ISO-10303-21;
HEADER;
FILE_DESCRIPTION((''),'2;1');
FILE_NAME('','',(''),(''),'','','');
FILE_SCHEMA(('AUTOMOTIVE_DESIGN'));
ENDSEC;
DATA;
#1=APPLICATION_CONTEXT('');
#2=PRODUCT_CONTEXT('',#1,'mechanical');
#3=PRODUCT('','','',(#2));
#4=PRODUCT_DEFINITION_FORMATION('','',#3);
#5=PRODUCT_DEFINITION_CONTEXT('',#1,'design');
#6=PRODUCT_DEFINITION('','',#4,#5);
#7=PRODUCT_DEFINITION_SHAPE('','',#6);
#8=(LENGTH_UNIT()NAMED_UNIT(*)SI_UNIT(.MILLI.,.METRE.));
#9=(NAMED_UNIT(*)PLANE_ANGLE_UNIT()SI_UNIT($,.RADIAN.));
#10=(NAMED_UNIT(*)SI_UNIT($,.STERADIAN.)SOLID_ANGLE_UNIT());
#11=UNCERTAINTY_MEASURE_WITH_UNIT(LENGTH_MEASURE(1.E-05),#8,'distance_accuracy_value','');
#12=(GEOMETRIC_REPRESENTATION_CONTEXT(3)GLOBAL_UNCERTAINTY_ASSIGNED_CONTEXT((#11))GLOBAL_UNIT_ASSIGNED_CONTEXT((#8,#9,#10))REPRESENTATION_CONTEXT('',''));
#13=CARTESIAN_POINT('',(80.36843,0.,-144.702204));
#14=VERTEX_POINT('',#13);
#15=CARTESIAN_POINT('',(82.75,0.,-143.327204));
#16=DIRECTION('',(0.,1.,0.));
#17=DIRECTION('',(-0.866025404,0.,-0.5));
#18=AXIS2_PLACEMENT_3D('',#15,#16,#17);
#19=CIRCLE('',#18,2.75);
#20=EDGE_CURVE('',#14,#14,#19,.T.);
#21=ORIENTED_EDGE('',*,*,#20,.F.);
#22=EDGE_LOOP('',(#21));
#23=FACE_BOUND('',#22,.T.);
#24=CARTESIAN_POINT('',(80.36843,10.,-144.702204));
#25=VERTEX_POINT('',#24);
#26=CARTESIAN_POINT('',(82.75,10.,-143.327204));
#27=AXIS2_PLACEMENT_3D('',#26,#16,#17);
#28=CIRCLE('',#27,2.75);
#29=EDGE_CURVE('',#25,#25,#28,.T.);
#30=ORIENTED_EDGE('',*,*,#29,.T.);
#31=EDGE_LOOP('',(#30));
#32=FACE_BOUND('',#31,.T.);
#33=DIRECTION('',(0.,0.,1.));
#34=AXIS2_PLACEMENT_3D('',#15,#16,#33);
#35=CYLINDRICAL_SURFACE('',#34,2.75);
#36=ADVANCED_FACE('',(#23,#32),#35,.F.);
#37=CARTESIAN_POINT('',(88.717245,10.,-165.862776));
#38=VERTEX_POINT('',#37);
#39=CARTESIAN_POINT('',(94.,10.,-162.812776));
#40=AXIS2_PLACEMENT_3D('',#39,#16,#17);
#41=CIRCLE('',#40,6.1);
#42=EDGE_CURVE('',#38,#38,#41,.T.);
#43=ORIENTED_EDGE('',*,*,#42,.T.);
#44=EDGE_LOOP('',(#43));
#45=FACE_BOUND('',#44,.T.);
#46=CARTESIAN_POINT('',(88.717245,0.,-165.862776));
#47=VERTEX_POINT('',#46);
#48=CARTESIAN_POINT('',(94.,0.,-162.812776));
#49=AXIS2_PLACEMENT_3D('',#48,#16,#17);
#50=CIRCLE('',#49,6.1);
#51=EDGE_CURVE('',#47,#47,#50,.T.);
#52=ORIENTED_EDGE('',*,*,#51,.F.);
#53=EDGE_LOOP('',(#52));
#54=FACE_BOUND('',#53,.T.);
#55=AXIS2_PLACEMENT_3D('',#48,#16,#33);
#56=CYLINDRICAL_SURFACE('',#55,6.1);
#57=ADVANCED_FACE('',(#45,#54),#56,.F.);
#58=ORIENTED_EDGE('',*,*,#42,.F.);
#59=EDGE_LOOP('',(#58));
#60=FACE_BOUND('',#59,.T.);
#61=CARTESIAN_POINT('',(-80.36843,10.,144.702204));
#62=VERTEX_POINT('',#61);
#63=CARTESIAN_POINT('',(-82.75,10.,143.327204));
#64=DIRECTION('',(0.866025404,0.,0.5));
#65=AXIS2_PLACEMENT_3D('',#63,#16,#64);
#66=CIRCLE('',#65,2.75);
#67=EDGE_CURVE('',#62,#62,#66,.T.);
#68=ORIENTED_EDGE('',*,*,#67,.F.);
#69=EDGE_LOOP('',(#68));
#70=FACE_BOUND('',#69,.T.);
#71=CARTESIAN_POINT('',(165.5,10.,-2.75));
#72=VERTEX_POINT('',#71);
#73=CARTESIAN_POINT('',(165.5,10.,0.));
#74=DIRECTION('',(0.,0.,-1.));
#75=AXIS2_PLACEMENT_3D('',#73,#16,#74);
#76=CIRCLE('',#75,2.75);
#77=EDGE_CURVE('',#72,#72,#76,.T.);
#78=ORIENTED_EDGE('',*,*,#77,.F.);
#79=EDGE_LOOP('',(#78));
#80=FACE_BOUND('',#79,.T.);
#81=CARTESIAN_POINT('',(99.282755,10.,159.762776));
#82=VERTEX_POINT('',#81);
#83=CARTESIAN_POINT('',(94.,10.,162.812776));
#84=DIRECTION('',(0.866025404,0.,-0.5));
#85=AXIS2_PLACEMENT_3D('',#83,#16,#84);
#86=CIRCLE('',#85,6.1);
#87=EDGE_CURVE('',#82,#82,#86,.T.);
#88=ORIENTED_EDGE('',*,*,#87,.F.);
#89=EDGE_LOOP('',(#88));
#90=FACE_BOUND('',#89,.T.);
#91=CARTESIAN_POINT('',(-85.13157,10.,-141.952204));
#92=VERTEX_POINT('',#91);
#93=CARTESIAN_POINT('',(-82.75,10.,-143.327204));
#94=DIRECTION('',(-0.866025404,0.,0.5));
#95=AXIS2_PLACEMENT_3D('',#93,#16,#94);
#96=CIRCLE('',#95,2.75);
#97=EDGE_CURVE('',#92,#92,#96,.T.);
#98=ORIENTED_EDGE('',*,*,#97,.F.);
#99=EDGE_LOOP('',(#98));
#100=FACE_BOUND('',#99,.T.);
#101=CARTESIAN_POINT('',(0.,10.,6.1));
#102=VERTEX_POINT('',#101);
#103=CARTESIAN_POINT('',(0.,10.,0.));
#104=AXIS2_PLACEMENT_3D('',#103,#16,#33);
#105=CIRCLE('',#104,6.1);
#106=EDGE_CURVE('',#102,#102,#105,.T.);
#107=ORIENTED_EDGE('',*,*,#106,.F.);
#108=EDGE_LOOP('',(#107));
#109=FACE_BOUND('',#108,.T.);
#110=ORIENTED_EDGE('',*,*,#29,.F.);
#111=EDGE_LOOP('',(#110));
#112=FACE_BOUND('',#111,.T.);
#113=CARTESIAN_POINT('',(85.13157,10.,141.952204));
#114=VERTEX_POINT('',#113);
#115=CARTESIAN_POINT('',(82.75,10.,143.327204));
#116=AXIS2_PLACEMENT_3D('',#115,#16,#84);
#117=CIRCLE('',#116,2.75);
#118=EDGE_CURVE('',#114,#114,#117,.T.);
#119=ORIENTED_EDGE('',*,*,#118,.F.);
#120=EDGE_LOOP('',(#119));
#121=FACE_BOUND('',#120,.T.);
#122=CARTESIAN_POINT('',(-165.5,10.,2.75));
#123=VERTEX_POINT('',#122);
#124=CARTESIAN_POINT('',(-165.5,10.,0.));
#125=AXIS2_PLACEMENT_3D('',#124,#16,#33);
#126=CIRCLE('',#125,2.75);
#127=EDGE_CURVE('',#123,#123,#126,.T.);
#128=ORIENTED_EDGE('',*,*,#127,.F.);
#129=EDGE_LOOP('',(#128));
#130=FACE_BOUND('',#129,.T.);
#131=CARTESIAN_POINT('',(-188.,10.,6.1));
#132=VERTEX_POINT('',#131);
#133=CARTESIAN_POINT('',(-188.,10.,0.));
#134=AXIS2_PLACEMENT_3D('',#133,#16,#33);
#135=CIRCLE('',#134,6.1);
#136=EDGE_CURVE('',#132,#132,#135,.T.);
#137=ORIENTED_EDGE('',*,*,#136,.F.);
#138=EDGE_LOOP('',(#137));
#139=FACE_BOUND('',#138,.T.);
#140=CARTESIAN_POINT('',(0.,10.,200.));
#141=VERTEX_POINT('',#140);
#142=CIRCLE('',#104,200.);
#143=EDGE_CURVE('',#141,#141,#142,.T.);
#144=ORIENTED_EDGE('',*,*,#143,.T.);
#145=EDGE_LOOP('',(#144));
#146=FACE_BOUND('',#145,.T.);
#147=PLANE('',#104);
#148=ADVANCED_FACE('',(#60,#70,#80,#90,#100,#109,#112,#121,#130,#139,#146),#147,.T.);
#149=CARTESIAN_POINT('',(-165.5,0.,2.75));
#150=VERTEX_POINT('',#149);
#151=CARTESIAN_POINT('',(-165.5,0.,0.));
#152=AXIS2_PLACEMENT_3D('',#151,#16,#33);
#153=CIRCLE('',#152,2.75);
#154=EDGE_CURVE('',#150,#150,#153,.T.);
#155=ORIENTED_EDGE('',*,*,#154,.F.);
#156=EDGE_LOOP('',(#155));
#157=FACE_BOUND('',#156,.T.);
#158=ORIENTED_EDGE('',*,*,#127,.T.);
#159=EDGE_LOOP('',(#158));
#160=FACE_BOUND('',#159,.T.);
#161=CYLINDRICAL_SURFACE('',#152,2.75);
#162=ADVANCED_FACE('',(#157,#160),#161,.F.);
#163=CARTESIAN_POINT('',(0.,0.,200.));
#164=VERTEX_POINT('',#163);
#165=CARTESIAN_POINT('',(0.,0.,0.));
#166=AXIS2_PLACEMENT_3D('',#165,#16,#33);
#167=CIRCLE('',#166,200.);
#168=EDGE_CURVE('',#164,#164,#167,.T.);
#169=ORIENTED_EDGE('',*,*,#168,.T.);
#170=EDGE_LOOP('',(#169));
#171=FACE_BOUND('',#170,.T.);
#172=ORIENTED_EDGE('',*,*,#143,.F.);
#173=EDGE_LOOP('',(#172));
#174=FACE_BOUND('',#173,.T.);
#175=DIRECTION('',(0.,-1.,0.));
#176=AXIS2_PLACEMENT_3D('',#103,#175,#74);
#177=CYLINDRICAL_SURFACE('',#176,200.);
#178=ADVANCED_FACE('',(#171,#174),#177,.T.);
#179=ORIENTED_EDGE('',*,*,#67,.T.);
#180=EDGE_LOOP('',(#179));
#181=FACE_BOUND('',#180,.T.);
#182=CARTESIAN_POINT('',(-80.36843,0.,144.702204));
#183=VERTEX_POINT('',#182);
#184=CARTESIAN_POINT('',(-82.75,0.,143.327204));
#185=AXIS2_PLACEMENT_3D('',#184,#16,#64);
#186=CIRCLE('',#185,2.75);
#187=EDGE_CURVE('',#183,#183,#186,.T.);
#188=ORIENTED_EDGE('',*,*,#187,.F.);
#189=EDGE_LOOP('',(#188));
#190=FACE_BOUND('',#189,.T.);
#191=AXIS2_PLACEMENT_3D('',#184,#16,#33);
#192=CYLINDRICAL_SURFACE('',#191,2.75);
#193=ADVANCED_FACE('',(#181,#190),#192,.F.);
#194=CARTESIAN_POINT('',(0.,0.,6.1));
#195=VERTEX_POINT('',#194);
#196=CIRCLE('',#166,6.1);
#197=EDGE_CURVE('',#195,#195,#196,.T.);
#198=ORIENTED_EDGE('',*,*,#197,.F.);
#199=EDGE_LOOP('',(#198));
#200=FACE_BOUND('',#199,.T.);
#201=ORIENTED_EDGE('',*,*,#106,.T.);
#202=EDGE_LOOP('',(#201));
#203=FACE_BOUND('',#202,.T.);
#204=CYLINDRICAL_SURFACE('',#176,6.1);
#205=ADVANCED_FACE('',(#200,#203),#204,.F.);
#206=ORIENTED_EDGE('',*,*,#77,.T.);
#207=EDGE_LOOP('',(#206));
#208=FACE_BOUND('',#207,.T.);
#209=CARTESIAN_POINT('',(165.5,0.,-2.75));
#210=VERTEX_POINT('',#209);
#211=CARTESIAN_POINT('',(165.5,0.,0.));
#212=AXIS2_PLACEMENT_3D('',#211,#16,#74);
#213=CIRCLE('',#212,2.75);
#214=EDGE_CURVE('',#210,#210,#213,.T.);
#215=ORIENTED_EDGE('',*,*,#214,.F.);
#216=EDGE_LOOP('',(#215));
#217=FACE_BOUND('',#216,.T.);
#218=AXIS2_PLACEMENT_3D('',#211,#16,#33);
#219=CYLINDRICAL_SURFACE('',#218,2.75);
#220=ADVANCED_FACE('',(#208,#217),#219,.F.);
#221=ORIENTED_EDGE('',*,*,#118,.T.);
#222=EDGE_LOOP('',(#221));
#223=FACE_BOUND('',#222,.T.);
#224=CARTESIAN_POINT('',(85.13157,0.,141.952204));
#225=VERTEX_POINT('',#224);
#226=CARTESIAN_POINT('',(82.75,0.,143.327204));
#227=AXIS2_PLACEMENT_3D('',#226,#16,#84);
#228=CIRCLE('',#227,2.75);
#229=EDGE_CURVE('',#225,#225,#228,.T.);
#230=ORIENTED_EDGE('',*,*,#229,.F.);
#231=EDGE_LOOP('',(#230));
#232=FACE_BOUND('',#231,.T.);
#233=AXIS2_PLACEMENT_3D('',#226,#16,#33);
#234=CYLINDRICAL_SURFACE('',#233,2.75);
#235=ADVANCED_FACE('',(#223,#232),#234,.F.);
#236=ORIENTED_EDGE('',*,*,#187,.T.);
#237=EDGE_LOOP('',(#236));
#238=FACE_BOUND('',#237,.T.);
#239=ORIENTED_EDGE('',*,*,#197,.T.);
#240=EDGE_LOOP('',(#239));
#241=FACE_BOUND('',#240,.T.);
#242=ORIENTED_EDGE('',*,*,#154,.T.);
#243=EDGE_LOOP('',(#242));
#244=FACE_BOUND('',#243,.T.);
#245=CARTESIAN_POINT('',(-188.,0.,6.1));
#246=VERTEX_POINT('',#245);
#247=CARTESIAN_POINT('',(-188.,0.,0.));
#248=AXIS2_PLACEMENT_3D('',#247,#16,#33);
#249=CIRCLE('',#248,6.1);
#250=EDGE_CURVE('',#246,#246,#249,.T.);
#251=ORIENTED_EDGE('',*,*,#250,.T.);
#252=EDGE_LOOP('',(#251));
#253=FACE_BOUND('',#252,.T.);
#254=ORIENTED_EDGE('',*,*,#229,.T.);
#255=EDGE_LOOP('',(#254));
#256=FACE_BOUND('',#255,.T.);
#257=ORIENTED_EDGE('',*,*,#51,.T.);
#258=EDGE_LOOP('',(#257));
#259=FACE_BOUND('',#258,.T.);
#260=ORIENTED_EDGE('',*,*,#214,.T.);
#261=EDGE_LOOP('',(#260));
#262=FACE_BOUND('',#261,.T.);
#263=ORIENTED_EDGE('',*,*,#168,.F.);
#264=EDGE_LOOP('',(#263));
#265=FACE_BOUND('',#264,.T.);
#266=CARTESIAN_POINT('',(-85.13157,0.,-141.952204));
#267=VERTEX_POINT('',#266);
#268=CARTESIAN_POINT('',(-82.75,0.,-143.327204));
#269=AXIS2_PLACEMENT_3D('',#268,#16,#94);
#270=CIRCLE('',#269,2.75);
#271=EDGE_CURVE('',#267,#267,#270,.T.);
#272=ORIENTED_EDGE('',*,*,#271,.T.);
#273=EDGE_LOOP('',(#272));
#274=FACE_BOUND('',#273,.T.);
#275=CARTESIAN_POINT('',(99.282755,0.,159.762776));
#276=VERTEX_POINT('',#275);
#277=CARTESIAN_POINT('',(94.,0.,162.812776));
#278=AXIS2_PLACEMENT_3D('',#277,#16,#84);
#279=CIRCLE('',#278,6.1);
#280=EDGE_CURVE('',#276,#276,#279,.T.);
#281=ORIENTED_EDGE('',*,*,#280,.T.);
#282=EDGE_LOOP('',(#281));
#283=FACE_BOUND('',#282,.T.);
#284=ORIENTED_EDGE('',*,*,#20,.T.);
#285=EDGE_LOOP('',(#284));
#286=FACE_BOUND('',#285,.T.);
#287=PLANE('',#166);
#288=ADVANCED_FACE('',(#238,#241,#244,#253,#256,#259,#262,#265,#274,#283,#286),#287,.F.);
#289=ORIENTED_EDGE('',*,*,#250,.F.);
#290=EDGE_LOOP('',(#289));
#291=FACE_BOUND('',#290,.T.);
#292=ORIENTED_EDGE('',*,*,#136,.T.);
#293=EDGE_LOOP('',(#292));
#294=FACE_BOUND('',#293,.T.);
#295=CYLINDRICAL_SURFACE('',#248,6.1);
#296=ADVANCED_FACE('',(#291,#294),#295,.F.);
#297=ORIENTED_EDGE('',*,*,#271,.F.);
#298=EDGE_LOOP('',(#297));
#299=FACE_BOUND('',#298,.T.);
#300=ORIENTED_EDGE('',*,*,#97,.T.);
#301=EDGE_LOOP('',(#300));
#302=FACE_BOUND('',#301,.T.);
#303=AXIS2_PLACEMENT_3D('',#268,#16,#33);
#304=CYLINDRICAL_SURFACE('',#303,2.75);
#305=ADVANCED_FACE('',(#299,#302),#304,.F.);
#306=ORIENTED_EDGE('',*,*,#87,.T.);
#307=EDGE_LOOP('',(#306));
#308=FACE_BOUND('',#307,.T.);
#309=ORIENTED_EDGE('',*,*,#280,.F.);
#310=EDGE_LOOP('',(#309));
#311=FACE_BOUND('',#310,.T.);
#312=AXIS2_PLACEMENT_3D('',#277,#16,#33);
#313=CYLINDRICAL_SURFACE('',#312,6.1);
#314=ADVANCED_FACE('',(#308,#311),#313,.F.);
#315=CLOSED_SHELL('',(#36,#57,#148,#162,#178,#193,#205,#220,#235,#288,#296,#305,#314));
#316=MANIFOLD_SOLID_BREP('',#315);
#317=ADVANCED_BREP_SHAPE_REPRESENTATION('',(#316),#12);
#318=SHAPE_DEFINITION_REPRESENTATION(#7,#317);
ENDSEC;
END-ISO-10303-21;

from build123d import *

# Parameters (mm, degrees)
SKETCH_1_R               = 200
SKETCH_1_R_2             = 6.1
EXTRUDE_1_DEPTH          = 10
SKETCH_2_R               = 6.1
CUT_EXTRUDE_1_DEPTH      = 10
PATTERN_CIRCULAR_1_COUNT = 3
SKETCH_3_R               = 2.75
CUT_EXTRUDE_2_DEPTH      = 10
PATTERN_CIRCULAR_2_COUNT = 6


with BuildPart() as part:
    # Эскиз1 → Бобышка-Вытянуть1 (new body)
    with BuildSketch(Plane(origin=(0, 0, 0), x_dir=(1, 0, 0), z_dir=(0, 1, 0))):
        with Locations(Location((0, 0, 0), (0, 0, 270))):
            Circle(SKETCH_1_R)
        with Locations(Location((0, 0, 0), (0, 0, 270))):
            Circle(SKETCH_1_R_2, mode=Mode.SUBTRACT)
    extrude(amount=EXTRUDE_1_DEPTH)

    # Эскиз2 → Вырез-Вытянуть1 (cut)
    with BuildSketch(Plane(origin=(0, 10, 0), x_dir=(1, 0, 0), z_dir=(0, 1, 0))):
        with Locations(Location((-188, 0, 0), (0, 0, 270))):
            Circle(SKETCH_2_R)
    cut_extrude_1 = extrude(amount=-CUT_EXTRUDE_1_DEPTH, mode=Mode.SUBTRACT)

    # Круговой массив1: Вырез-Вытянуть1 ×3 about axis
    pattern_circular_1_axis = Axis((0, 0, 0), (0, 1, 0))
    for i in range(1, PATTERN_CIRCULAR_1_COUNT):
        add(cut_extrude_1.rotate(pattern_circular_1_axis, i * 360 / PATTERN_CIRCULAR_1_COUNT), mode=Mode.SUBTRACT)

    # Эскиз3 → Вырез-Вытянуть2 (cut)
    with BuildSketch(Plane(origin=(0, 10, 0), x_dir=(1, 0, 0), z_dir=(0, 1, 0))):
        with Locations(Location((-165.5, 0, 0), (0, 0, 270))):
            Circle(SKETCH_3_R)
    cut_extrude_2 = extrude(amount=-CUT_EXTRUDE_2_DEPTH, mode=Mode.SUBTRACT)

    # Круговой массив2: Вырез-Вытянуть2 ×6 about axis
    pattern_circular_2_axis = Axis((0, 0, 0), (0, 1, 0))
    for i in range(1, PATTERN_CIRCULAR_2_COUNT):
        add(cut_extrude_2.rotate(pattern_circular_2_axis, i * 360 / PATTERN_CIRCULAR_2_COUNT), mode=Mode.SUBTRACT)


solid = part.part
